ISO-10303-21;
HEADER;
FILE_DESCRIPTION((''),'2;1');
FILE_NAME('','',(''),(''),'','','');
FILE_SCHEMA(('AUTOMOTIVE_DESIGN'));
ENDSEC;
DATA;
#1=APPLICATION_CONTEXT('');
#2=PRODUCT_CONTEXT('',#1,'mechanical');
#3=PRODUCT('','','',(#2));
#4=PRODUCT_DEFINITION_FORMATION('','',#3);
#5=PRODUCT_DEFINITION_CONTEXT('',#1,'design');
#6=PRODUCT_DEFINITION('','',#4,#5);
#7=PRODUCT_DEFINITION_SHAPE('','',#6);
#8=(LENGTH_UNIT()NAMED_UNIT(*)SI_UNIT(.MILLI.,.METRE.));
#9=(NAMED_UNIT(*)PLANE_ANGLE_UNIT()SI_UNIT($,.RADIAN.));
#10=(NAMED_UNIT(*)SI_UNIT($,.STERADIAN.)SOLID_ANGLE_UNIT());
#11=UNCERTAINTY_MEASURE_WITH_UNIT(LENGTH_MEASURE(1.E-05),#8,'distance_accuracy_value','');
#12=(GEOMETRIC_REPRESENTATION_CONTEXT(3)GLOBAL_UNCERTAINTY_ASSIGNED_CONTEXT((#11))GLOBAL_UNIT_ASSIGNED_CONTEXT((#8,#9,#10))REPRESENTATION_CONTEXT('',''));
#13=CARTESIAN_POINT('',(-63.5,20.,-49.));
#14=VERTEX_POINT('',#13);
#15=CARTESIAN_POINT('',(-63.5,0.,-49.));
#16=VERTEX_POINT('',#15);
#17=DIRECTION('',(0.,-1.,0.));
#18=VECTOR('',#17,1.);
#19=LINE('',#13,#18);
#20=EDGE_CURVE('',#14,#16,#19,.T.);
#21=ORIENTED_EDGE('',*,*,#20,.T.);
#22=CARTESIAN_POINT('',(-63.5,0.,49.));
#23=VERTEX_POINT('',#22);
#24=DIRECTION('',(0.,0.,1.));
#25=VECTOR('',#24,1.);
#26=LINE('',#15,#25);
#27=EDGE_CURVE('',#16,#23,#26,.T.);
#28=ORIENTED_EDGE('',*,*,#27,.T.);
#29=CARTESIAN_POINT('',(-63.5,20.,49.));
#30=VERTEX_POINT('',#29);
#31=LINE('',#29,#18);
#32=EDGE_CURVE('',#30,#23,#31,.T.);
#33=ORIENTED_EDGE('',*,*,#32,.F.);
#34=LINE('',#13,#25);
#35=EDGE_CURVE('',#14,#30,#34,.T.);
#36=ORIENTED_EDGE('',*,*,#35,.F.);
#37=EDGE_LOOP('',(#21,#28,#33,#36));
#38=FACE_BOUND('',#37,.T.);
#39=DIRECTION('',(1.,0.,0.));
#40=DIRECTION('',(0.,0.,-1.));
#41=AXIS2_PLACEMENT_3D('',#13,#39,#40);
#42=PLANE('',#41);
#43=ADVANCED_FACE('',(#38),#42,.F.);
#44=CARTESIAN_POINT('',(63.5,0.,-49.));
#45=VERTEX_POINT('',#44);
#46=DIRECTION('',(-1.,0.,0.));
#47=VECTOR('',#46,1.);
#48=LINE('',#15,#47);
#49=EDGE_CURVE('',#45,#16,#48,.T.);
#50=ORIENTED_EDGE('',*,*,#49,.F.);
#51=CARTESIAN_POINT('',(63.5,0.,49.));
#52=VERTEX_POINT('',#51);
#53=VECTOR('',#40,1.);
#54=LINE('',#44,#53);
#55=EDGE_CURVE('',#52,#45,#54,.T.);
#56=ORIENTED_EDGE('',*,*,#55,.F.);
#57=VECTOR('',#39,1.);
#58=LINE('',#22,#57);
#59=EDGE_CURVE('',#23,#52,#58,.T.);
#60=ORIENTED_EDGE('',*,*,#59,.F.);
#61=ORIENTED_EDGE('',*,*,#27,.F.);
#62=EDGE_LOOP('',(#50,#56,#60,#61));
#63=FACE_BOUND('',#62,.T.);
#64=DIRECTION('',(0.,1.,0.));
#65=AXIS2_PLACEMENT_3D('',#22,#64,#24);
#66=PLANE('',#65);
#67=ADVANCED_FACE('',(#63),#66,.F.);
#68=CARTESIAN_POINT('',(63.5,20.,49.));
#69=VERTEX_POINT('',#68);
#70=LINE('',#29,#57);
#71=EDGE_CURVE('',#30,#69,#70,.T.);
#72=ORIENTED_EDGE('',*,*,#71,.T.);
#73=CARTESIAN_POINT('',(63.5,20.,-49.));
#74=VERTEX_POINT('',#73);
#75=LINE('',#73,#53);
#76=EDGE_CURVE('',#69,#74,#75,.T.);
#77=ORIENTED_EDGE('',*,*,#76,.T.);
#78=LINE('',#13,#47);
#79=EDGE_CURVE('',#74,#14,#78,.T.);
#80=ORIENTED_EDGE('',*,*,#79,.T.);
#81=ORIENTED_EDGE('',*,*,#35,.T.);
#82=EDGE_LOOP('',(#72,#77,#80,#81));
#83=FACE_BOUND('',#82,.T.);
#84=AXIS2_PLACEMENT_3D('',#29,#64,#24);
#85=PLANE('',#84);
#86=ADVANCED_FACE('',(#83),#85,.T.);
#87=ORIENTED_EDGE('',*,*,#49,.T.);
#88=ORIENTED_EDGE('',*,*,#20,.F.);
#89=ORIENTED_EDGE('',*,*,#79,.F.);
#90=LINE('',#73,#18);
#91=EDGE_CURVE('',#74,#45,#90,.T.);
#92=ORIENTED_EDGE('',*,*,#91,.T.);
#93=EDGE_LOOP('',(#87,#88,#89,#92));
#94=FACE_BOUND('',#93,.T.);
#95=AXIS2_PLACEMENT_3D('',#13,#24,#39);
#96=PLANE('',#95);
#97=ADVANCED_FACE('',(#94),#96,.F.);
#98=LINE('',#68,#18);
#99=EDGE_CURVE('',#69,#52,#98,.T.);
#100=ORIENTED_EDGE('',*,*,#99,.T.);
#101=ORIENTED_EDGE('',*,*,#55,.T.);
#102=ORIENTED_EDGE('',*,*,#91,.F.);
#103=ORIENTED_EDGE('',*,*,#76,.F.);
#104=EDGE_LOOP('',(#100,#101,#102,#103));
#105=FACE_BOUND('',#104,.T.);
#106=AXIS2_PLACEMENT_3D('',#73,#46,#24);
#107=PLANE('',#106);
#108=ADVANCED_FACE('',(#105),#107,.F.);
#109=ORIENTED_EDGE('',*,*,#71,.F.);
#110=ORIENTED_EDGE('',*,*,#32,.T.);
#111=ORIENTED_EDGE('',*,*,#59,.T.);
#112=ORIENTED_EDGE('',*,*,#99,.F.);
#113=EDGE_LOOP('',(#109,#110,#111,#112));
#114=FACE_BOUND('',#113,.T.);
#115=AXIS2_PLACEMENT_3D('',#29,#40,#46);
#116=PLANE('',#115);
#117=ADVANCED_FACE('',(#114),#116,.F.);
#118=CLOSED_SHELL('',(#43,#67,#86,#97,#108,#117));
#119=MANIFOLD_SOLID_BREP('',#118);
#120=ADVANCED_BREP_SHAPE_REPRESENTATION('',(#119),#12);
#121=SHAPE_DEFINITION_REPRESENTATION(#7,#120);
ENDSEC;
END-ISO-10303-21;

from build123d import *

# Parameters (mm, degrees)
SKETCH_1_W      = 127
SKETCH_1_H      = 98
EXTRUDE_1_DEPTH = 20


with BuildPart() as part:
    # 草图1 → 拉伸1 (new body)
    with BuildSketch(Plane(origin=(0, 0, 0), x_dir=(1, 0, 0), z_dir=(0, 1, 0))):
        Rectangle(SKETCH_1_W, SKETCH_1_H)
    extrude(amount=EXTRUDE_1_DEPTH)


solid = part.part
